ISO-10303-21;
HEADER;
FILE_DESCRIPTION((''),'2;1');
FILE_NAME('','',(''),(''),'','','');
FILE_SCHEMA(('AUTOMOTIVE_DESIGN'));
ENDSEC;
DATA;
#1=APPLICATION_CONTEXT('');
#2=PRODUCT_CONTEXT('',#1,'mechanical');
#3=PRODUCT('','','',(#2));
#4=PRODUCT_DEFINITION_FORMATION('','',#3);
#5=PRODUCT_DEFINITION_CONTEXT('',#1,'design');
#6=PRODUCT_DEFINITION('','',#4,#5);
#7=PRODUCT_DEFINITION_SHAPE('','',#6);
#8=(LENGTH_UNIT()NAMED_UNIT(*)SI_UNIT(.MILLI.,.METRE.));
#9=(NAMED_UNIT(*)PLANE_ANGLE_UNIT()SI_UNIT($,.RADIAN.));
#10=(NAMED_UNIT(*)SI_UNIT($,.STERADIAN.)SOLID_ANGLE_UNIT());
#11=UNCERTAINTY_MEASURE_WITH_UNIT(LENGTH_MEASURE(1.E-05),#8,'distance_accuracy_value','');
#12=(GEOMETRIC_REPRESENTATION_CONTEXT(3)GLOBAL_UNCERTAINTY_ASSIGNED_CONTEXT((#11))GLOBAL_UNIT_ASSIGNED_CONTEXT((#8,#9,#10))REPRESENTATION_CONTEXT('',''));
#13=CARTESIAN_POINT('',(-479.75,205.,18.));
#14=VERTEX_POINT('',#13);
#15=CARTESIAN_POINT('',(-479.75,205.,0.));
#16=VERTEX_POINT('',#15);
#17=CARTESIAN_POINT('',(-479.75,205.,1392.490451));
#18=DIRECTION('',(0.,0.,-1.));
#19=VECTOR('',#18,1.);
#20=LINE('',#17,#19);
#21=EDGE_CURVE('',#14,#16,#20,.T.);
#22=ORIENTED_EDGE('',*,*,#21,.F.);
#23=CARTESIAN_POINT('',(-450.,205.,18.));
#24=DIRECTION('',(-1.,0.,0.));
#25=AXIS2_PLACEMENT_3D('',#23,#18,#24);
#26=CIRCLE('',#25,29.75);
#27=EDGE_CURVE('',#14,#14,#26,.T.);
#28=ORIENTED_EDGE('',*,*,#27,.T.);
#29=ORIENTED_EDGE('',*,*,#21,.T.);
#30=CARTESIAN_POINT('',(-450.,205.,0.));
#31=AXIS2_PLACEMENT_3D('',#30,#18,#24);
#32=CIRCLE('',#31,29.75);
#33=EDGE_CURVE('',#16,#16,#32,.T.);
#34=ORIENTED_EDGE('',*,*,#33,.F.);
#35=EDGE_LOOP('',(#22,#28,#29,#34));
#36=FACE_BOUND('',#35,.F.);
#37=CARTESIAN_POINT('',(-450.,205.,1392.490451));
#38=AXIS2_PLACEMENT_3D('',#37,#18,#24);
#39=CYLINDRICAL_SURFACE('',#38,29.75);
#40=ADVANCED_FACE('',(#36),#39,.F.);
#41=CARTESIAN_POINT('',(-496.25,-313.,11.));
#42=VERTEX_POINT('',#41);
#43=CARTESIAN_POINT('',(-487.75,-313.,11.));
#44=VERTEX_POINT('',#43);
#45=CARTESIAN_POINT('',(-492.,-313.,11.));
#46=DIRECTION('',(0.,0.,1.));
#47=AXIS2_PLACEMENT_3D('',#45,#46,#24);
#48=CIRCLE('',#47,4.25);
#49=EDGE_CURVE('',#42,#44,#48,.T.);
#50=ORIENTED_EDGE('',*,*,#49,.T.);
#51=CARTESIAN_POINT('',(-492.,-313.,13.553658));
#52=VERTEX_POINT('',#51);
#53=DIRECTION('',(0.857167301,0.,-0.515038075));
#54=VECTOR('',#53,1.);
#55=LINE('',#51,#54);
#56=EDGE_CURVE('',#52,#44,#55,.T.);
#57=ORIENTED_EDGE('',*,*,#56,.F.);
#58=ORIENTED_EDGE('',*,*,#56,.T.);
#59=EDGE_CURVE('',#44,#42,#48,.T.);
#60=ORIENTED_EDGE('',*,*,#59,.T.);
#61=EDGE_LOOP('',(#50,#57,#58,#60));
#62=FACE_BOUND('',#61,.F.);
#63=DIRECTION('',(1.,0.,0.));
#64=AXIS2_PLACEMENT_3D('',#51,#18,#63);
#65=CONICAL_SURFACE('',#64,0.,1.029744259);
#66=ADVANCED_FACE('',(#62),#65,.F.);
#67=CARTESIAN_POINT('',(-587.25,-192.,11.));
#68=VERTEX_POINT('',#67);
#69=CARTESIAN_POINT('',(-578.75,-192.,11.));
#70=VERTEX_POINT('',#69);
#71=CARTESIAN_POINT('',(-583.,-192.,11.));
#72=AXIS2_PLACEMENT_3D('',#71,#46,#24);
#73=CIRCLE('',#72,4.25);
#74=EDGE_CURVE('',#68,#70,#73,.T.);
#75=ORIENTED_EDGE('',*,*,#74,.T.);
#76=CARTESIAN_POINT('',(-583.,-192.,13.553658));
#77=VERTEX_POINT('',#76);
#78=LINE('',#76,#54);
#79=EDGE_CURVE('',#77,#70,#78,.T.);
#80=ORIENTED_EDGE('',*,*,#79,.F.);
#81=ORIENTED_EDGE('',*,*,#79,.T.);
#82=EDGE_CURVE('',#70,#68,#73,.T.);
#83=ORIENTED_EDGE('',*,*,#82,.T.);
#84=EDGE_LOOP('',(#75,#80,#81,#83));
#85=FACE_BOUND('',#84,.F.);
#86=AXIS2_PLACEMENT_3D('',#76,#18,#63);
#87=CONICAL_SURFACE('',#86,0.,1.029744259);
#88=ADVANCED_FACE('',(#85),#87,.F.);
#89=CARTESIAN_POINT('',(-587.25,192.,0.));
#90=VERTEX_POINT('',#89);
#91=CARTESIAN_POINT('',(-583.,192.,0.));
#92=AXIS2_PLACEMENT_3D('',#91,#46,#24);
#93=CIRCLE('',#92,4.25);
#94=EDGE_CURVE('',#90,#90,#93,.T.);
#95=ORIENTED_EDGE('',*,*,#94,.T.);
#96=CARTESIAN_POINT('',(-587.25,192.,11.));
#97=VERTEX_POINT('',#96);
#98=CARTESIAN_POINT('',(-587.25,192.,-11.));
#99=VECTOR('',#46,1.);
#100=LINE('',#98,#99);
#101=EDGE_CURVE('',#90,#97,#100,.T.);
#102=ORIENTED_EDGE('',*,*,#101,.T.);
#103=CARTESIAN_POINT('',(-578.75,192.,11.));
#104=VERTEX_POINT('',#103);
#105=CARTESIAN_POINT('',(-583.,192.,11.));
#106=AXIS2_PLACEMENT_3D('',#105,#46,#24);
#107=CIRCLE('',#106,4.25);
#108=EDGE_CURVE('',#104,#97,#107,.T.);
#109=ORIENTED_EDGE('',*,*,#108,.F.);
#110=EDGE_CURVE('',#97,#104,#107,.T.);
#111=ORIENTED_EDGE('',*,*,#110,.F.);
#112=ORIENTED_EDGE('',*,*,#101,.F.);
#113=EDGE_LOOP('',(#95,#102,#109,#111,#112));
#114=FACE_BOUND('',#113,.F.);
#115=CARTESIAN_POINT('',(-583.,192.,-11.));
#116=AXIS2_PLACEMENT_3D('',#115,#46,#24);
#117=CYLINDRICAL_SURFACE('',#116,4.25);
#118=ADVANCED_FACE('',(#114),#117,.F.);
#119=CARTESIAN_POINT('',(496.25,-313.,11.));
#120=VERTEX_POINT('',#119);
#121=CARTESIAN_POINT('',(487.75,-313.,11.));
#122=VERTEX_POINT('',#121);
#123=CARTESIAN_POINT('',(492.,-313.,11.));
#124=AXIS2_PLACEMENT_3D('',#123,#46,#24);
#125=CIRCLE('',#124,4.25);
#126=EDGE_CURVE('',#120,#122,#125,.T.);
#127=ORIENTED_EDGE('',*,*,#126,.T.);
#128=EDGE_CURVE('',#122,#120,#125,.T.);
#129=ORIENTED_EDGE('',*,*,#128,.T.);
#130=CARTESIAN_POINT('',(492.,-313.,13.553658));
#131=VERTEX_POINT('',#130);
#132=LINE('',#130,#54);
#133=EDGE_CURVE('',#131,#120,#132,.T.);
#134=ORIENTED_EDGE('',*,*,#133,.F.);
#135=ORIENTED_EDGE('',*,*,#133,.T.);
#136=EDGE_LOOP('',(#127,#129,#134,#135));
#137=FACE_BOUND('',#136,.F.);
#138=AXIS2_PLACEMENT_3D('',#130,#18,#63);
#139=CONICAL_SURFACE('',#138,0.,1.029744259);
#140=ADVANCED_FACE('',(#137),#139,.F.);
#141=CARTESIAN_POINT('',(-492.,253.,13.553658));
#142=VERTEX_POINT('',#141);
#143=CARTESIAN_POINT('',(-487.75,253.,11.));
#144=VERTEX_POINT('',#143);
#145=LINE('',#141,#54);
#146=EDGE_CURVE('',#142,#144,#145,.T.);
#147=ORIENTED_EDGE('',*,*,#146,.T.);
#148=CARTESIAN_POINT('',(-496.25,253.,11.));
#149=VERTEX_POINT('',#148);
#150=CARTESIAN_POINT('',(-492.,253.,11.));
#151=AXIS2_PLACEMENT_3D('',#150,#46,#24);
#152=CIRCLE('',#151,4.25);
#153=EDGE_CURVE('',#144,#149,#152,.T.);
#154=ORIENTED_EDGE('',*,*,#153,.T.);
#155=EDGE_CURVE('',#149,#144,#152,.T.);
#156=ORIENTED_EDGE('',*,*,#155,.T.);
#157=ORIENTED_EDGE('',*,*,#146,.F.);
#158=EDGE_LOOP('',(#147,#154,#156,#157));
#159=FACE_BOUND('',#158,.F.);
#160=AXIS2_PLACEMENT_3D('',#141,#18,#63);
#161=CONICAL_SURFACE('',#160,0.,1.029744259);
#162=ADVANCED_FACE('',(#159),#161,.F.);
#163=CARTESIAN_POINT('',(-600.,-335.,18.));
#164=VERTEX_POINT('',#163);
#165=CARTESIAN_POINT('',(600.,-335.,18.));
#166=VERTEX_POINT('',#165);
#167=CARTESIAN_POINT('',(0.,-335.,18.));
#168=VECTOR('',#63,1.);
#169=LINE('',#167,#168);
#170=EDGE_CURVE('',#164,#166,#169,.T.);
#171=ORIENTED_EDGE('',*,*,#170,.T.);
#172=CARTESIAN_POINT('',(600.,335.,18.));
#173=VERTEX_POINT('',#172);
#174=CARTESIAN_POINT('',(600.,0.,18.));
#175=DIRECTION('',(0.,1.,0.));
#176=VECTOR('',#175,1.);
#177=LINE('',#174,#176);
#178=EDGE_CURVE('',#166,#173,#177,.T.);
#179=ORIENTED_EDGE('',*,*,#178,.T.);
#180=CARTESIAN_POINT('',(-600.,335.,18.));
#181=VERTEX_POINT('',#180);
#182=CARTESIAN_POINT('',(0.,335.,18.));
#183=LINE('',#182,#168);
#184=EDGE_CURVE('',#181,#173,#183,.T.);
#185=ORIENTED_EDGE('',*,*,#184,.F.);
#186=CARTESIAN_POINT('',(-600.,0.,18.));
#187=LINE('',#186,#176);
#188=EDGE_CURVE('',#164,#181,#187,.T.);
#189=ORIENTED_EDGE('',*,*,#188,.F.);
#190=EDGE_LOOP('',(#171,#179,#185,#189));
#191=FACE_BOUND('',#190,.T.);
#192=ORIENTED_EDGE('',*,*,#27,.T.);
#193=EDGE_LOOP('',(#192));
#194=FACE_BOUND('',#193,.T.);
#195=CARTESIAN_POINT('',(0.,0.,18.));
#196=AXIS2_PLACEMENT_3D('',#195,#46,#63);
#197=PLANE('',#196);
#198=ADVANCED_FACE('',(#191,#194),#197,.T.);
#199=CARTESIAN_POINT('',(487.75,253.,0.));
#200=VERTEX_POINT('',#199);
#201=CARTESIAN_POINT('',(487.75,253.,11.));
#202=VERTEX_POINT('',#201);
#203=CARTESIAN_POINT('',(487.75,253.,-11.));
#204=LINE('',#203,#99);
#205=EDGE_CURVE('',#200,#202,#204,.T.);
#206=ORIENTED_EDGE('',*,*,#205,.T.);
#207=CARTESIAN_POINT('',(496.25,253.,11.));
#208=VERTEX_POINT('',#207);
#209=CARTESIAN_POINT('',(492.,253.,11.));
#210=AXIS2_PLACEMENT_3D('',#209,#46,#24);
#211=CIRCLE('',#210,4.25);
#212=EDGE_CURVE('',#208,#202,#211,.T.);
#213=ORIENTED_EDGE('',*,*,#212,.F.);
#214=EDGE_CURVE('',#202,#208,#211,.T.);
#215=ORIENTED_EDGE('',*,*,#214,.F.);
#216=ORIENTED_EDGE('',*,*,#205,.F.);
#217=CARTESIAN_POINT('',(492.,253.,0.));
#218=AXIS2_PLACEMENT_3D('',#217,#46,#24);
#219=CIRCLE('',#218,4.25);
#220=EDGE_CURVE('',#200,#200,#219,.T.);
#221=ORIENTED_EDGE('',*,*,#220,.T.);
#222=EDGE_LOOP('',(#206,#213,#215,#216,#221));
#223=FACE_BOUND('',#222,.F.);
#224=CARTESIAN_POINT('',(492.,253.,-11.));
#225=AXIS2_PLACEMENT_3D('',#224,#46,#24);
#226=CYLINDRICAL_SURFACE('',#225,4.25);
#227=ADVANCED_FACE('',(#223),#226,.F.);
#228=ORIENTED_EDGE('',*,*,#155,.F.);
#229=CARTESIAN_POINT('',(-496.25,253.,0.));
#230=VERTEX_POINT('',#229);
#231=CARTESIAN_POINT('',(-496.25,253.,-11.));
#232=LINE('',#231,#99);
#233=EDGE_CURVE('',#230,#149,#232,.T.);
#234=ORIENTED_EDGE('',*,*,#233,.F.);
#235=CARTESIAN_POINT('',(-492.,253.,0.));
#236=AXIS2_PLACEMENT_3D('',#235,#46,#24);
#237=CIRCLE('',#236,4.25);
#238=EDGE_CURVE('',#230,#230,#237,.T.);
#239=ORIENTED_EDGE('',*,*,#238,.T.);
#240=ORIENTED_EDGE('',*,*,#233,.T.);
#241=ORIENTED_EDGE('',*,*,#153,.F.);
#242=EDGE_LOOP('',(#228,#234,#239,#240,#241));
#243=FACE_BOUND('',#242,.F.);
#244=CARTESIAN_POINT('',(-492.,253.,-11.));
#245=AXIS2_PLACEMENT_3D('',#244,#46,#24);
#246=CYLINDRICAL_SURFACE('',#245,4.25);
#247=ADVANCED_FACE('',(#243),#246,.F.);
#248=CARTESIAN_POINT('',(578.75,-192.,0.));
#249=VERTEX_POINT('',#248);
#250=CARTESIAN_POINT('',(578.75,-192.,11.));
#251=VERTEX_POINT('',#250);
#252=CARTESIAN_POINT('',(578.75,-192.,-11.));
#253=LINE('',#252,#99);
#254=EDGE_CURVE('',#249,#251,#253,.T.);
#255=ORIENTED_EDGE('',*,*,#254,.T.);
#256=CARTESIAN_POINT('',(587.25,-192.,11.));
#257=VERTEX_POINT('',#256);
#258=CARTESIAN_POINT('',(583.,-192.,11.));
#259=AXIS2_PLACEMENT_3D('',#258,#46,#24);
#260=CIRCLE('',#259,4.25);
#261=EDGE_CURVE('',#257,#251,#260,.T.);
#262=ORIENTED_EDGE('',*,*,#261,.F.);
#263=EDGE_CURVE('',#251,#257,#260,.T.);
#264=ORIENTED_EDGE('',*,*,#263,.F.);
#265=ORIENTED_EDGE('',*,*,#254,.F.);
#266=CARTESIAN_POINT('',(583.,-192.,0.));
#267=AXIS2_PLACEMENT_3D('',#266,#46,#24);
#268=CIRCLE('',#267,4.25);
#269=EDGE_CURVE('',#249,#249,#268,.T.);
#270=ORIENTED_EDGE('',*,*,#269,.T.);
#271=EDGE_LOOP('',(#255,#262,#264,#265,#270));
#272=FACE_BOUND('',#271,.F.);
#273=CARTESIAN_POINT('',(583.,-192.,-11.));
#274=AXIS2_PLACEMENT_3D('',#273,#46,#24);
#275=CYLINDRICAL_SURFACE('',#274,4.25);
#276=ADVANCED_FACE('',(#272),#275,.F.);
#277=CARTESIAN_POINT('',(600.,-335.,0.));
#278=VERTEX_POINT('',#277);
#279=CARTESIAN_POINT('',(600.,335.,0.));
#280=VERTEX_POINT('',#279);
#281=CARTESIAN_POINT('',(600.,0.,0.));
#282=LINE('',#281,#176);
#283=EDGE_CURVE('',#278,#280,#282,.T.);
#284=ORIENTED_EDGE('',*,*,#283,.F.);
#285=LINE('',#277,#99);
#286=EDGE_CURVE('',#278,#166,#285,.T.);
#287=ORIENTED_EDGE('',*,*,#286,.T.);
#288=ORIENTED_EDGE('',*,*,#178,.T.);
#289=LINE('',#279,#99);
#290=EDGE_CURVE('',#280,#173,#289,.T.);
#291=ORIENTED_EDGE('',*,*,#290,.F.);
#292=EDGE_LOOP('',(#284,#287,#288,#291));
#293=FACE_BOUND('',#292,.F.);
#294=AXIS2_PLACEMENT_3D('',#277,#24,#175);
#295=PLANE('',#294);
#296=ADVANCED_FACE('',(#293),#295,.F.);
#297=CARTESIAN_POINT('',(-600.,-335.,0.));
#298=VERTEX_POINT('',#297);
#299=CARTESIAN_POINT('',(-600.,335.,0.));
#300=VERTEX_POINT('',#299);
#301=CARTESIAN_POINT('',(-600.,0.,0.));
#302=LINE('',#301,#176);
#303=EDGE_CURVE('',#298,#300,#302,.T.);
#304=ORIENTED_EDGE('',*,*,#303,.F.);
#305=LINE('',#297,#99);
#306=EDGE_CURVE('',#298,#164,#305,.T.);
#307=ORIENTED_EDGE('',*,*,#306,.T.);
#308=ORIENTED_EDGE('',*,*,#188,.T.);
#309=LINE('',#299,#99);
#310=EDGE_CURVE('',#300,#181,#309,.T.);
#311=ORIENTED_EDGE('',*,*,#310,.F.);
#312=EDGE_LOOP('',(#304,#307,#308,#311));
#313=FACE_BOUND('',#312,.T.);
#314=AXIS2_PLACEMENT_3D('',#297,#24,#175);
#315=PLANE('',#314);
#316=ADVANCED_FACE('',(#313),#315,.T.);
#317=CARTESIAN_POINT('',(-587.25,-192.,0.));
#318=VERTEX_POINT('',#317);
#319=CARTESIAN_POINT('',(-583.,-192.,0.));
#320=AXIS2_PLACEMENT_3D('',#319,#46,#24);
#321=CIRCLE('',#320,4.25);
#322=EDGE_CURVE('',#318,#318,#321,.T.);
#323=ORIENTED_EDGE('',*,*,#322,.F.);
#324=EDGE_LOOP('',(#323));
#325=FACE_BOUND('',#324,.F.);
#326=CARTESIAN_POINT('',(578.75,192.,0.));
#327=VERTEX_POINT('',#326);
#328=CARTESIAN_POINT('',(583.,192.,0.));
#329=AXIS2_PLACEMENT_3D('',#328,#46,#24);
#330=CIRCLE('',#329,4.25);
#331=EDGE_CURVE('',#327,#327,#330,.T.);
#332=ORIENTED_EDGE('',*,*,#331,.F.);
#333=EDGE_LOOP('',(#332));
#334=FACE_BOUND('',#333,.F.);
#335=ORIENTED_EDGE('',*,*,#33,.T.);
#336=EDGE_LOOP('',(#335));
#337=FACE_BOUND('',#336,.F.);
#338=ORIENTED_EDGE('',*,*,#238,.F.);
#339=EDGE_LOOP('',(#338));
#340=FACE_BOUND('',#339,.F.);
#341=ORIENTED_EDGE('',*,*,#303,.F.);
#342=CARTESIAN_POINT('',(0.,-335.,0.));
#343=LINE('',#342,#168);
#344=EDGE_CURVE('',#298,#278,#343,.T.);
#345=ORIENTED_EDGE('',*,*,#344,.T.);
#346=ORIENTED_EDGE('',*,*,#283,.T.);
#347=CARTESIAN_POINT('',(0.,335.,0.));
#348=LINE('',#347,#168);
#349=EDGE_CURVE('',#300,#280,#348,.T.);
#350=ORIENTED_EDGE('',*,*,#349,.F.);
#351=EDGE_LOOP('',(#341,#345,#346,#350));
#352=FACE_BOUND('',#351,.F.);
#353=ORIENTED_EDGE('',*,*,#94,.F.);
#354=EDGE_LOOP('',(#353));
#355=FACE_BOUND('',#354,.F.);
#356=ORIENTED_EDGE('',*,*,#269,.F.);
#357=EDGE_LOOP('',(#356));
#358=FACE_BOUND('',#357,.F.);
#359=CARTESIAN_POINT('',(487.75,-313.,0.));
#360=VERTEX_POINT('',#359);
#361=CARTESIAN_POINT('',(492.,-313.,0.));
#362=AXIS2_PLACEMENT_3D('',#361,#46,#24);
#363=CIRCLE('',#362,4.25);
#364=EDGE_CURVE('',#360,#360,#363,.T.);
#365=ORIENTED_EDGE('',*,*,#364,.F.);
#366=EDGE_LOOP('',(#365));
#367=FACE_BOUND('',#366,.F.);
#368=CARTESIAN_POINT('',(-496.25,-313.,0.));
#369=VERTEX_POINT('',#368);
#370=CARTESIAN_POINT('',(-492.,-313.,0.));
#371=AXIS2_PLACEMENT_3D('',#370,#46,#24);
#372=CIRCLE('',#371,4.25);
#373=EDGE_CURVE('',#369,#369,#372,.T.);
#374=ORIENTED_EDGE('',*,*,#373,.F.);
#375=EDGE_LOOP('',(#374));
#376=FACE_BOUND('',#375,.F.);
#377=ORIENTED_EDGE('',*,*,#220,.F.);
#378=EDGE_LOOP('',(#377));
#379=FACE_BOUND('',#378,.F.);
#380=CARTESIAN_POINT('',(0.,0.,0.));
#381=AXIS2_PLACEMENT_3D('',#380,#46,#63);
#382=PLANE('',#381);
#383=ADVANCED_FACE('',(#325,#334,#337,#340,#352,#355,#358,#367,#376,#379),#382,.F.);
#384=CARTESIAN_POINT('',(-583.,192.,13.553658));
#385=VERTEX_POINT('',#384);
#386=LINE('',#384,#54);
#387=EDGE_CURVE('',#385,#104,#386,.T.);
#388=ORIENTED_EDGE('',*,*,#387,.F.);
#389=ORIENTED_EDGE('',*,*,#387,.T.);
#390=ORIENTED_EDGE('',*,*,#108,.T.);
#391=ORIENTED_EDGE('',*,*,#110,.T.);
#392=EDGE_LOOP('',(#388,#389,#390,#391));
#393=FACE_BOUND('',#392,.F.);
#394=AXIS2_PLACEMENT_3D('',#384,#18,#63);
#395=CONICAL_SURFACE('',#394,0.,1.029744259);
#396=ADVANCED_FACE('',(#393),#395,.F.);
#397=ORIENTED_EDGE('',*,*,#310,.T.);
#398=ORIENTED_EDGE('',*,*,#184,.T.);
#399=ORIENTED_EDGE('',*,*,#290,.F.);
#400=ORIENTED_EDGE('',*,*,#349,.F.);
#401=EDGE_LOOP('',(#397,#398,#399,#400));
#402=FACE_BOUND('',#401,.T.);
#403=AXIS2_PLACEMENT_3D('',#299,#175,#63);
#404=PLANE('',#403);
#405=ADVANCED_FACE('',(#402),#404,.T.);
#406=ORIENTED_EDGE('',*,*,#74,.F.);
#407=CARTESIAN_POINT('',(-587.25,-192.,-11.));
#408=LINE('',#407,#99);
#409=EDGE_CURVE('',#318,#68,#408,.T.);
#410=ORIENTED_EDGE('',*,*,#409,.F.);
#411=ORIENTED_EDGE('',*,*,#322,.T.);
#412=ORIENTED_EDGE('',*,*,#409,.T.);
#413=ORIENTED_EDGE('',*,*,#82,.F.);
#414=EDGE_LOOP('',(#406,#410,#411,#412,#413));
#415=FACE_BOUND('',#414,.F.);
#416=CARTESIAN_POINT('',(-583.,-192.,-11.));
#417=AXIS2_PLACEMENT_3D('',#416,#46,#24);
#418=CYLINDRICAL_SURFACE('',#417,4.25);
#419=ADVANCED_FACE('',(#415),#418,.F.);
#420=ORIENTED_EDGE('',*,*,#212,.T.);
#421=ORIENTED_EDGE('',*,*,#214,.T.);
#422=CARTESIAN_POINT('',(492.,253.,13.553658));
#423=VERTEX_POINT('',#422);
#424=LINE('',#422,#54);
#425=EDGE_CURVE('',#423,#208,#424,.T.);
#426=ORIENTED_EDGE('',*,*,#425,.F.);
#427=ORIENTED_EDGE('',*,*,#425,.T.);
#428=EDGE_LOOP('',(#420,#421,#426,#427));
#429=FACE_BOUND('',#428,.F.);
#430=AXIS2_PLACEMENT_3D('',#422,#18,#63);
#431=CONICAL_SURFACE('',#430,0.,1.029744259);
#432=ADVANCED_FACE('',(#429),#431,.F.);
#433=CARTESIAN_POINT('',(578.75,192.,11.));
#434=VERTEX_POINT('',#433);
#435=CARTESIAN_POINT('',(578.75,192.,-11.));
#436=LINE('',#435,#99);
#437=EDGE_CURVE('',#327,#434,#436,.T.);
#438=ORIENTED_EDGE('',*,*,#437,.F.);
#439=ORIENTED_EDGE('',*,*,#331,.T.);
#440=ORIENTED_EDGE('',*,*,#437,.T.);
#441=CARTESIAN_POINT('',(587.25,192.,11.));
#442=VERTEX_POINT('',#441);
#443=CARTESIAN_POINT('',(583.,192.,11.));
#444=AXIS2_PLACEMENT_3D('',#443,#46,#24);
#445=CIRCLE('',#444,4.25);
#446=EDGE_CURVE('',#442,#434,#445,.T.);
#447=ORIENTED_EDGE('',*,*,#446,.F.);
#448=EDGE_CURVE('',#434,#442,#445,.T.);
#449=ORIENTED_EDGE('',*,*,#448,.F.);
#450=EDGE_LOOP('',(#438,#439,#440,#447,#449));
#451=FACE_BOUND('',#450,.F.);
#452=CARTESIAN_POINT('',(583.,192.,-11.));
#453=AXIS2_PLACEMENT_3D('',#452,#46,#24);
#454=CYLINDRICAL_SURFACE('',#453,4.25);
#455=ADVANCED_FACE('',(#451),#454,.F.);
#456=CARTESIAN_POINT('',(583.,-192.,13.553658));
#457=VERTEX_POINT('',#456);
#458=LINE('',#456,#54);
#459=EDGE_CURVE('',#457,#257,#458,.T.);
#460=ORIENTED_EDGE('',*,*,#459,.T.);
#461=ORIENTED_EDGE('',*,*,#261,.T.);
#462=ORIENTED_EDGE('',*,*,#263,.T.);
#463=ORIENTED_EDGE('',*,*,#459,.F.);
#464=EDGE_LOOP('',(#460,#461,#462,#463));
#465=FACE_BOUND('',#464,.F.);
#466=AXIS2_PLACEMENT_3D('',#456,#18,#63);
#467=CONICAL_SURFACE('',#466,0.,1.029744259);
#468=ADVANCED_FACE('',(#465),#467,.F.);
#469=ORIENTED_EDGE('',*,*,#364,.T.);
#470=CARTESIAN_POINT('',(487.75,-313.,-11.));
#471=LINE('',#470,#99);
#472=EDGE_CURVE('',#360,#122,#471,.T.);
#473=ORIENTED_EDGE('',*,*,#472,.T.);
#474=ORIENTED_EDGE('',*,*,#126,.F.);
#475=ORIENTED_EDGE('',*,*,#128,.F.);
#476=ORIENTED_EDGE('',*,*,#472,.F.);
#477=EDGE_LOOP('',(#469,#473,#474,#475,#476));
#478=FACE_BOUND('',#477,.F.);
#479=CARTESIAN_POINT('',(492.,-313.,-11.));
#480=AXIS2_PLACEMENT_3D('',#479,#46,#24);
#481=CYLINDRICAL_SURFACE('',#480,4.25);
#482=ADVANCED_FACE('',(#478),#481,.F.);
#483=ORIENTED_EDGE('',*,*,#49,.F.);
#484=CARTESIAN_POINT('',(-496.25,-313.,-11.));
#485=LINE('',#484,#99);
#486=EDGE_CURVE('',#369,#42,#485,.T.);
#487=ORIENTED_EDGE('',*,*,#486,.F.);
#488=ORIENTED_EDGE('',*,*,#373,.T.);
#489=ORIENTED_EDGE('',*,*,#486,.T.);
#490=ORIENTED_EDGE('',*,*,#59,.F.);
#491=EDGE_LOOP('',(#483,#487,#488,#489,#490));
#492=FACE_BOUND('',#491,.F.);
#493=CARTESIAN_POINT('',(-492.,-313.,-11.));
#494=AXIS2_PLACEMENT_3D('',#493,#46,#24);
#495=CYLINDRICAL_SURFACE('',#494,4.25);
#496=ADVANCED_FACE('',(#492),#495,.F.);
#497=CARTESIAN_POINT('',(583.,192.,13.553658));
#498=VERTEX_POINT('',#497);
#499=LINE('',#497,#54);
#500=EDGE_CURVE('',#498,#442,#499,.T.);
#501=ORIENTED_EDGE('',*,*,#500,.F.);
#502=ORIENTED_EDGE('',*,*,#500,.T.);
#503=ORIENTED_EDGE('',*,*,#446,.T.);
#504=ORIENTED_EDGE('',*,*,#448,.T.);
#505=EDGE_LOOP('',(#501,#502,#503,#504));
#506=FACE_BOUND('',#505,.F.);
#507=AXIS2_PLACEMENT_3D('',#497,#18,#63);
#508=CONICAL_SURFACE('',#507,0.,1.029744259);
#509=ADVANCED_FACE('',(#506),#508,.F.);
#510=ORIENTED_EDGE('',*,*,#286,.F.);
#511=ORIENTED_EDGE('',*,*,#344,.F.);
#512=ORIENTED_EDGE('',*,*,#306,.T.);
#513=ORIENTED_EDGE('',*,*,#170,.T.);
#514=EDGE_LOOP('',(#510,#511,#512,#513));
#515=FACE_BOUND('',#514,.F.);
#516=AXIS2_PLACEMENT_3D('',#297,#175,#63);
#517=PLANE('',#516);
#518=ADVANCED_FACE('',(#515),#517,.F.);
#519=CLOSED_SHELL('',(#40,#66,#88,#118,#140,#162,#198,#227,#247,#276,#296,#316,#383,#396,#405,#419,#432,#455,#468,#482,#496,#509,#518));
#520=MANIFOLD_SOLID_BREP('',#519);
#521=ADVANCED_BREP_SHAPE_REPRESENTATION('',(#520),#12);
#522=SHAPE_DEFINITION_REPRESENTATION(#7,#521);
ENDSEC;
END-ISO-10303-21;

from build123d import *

# Parameters (mm, degrees)
F0_W     = 1200
F0_H     = 670
F1_DEPTH = 18
F3_D     = 59.5
F5_D     = 8.5
F5_DEPTH = 11
F5_TIP   = 2.5536576309


with BuildPart() as f1:
    # F0 (on Top) → F1 (new body)
    with BuildSketch(Plane.XY):
        Rectangle(F0_W, F0_H)
    extrude(amount=F1_DEPTH)

    # F3 (through all)
    with Locations(Plane.XY.offset(18)):
        with Locations((-450, 205)):
            Hole(F3_D / 2)

    # F5
    with Locations(Plane(origin=(0, 0, 0), x_dir=(1, 0, 0), z_dir=(0, 0, -1))):
        with Locations((-492, -253), (-583, -192), (-583, 192), (583, 192), (492, 313), (583, -192), (492, -253), (-492, 313)):
            Hole(F5_D / 2, depth=F5_DEPTH)
            with Locations((0, 0, -(F5_DEPTH + F5_TIP / 2))):  # 118° drill point
                Cone(0, F5_D / 2, F5_TIP, mode=Mode.SUBTRACT)


solid = f1.part
